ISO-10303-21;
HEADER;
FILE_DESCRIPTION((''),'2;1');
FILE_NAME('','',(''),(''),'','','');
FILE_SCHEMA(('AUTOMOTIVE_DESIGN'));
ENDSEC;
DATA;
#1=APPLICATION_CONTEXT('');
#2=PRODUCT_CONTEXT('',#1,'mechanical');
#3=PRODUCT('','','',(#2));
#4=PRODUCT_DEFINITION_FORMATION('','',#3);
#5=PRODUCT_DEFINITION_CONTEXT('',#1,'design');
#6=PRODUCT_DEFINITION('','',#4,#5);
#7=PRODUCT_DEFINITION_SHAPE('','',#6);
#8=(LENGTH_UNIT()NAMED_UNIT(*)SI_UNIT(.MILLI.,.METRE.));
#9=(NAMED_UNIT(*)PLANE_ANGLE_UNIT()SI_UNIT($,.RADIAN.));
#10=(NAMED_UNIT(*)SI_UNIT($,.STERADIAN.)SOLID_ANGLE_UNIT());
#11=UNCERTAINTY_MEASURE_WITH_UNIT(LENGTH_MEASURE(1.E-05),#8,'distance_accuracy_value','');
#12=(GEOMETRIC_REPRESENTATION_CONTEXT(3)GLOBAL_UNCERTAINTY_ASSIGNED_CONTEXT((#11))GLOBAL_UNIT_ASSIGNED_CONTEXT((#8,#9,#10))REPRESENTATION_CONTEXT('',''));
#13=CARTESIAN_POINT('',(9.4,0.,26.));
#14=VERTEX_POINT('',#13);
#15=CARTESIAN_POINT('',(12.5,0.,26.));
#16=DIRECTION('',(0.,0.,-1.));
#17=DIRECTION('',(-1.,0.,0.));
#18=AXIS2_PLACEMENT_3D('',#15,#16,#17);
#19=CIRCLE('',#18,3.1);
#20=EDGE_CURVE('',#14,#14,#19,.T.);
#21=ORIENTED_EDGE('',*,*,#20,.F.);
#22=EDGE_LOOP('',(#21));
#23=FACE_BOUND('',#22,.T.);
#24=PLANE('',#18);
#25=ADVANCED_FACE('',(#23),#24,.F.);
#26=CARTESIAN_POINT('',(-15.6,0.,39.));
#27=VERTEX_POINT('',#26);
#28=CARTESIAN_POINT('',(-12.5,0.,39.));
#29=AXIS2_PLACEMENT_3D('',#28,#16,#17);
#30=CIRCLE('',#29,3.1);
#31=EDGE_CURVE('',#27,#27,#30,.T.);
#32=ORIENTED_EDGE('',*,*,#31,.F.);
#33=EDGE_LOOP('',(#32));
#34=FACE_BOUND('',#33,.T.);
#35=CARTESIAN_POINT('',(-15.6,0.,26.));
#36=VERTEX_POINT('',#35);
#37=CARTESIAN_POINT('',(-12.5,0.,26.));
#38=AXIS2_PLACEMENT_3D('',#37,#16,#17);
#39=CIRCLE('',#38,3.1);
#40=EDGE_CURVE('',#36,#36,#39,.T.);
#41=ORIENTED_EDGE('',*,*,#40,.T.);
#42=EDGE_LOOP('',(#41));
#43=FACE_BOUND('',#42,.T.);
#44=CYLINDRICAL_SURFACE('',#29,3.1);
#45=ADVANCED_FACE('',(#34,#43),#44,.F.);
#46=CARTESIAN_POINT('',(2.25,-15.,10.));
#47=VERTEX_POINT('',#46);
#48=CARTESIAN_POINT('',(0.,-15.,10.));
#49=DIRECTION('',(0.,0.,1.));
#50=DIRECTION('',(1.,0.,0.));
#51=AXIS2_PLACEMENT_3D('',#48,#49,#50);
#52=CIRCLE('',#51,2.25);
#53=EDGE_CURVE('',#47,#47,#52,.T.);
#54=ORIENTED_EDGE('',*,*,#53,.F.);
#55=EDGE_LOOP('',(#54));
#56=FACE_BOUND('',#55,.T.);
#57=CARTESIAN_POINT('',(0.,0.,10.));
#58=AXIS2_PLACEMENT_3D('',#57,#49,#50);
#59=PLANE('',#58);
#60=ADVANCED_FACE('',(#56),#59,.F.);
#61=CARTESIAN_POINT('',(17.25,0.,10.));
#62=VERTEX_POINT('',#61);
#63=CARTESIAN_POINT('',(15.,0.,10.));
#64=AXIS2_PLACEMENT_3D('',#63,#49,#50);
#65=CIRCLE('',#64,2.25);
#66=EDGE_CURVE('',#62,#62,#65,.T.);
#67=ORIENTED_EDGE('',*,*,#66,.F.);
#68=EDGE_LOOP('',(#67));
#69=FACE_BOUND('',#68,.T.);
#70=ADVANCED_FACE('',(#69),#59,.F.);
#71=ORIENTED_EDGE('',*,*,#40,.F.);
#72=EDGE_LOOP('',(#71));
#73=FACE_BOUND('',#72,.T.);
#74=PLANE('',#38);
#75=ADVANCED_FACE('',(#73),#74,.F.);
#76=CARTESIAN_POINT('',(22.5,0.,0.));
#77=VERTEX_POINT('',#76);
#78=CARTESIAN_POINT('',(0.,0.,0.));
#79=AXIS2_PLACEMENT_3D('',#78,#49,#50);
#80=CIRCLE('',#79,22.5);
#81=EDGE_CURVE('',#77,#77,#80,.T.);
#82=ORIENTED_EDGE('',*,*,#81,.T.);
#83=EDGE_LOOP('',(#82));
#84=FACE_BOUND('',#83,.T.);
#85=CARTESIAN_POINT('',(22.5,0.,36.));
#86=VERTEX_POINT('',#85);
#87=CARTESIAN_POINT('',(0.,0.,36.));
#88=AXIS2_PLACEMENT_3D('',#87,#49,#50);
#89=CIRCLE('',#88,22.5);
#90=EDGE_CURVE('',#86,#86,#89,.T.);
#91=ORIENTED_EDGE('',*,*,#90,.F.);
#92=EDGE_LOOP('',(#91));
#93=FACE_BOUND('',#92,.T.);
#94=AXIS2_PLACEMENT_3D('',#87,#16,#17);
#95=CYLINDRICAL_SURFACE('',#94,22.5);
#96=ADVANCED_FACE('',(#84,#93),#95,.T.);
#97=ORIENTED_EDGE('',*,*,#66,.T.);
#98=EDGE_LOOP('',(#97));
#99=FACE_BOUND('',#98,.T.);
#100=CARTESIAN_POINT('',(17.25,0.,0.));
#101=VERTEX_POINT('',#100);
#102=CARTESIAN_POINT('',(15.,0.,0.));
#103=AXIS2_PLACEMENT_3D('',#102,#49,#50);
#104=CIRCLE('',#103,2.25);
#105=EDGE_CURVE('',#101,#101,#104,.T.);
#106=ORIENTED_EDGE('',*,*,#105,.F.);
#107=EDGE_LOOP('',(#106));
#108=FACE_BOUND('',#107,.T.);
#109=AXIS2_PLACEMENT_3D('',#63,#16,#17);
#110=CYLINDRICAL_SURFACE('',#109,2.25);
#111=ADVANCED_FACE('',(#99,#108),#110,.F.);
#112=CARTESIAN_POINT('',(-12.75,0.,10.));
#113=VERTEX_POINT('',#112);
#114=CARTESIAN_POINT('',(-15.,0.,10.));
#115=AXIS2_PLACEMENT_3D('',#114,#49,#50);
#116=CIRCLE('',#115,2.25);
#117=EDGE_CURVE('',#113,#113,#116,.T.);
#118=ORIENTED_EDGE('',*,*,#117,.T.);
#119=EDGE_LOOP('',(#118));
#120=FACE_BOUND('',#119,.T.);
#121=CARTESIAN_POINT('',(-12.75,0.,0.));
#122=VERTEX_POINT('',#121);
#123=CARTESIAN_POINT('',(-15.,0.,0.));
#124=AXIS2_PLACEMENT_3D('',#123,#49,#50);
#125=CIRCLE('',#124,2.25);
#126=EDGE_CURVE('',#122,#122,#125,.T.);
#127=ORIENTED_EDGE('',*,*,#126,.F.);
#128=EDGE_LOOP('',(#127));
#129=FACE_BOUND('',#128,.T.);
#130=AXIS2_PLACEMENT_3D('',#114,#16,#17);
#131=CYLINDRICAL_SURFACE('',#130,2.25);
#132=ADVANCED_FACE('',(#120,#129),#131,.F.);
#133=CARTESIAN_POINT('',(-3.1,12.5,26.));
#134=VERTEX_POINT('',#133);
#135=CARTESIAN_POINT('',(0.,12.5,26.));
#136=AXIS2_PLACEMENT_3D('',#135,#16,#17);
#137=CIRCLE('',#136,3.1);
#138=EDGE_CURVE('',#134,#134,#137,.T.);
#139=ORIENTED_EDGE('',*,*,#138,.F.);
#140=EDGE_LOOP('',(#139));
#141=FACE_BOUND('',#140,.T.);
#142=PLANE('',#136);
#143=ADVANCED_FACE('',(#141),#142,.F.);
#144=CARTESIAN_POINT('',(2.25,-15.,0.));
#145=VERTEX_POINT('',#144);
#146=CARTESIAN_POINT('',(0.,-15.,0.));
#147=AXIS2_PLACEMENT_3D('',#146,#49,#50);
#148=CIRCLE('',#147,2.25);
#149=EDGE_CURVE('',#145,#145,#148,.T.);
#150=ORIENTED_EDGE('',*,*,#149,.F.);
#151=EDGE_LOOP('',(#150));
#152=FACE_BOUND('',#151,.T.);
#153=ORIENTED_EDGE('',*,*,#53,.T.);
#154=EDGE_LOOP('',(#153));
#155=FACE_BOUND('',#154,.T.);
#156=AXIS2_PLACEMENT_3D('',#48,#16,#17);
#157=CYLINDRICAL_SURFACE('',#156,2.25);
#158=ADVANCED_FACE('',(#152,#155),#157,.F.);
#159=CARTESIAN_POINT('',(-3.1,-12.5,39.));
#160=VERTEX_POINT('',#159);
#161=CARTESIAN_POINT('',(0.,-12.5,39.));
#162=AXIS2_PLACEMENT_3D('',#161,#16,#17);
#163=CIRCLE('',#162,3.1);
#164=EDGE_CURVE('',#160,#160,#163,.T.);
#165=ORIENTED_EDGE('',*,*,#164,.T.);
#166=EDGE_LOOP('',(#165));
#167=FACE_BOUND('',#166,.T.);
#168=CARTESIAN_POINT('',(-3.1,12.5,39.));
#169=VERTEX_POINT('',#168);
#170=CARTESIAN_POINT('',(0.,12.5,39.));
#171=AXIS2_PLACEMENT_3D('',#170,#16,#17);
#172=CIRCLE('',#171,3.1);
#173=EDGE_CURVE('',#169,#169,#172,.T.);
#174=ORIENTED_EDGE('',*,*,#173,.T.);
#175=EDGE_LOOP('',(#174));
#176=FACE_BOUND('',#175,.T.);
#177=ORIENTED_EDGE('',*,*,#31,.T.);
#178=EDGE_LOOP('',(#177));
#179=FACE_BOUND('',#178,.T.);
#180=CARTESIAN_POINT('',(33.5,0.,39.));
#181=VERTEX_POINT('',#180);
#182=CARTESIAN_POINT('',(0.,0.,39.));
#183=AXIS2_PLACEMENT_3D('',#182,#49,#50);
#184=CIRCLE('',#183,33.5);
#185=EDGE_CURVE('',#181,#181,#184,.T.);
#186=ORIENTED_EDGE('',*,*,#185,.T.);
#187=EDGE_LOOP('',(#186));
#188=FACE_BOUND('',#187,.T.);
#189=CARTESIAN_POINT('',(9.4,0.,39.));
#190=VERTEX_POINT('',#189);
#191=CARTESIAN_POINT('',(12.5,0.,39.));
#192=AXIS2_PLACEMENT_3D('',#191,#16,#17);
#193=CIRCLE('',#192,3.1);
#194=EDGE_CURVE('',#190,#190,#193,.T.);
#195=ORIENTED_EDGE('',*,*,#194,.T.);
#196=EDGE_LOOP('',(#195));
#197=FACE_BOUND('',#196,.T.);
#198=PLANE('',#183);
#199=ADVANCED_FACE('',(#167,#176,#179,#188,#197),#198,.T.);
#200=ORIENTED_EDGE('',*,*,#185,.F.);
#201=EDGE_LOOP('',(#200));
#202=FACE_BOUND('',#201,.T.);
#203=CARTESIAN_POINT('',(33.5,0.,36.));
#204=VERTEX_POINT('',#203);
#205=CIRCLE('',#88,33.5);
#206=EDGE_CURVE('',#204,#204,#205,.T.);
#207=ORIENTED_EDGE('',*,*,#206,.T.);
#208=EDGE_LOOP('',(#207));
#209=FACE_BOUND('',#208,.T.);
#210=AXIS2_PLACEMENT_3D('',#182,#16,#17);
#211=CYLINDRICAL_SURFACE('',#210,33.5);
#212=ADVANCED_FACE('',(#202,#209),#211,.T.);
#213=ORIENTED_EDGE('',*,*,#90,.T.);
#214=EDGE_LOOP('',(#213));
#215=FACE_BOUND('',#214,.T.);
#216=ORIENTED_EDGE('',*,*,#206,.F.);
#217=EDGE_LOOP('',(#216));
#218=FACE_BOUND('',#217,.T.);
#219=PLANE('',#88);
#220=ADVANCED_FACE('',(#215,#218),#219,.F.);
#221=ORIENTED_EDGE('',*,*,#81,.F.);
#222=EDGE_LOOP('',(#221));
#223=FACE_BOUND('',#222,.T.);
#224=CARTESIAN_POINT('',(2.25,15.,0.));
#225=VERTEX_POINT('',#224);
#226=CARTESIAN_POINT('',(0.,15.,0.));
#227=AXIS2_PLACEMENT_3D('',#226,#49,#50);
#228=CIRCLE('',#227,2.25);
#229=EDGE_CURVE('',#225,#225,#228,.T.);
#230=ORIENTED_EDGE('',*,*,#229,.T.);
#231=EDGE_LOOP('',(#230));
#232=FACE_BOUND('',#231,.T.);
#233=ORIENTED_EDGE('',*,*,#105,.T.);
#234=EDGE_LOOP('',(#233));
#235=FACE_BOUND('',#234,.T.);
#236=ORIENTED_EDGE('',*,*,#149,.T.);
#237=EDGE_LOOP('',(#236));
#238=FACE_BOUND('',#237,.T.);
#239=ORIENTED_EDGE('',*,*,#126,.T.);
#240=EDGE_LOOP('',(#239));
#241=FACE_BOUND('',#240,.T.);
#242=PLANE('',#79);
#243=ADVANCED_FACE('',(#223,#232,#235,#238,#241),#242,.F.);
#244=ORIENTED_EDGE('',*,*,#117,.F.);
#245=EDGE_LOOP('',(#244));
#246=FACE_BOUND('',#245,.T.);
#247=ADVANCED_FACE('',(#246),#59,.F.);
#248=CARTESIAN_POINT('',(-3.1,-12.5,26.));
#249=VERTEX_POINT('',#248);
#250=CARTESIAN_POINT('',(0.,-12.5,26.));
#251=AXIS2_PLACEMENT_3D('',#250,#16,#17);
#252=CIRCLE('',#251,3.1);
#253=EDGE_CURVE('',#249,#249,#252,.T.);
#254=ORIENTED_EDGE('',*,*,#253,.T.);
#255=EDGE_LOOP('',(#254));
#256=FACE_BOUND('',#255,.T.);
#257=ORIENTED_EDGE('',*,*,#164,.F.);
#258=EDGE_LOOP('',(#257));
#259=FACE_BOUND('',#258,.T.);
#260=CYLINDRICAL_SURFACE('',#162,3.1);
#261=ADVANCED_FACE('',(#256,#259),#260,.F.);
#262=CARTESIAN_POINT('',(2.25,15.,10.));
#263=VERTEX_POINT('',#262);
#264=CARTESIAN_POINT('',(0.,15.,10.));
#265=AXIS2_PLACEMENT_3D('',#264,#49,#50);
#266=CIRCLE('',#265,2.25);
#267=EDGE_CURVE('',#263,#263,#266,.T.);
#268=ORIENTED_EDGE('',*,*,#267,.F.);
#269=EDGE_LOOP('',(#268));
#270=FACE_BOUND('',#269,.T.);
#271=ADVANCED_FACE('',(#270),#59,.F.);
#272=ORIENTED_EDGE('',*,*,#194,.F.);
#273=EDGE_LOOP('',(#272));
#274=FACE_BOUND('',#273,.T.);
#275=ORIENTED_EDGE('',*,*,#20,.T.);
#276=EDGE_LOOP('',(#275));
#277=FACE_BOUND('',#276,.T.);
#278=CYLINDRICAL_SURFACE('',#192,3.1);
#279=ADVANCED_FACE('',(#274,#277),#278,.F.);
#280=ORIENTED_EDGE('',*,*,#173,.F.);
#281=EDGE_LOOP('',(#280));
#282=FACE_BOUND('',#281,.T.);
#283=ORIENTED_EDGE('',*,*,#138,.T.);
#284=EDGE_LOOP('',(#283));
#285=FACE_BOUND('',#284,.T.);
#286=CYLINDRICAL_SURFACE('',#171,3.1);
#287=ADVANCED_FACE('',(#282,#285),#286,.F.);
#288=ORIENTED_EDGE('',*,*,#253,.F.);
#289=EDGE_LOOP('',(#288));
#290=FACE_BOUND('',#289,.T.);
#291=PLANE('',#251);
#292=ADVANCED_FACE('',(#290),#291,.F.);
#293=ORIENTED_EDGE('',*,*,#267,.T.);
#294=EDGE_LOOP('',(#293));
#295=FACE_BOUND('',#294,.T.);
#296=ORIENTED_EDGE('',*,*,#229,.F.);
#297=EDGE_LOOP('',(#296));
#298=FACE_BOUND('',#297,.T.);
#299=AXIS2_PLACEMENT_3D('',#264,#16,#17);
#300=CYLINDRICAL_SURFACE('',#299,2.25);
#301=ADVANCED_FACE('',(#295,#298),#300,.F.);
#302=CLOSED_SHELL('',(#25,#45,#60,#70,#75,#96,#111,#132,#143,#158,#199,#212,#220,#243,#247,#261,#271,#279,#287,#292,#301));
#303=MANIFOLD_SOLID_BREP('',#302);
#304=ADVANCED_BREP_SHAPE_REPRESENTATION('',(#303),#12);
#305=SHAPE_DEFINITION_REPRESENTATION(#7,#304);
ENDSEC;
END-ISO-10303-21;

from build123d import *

# Parameters (mm, degrees)
SKETCH1_R               = 22.5
BOSS_EXTRUDE1_DEPTH     = 36
SKETCH1_3_R             = 2.25
CUT_EXTRUDE1_DEPTH      = 10
SKETCH2_R               = 33.5
BOSS_EXTRUDE2_DEPTH     = 3
CUT_EXTRUDE2_DEPTH      = 10
CUT_EXTRUDE2_DEPTH_BACK = 3
SKETCH3_R               = 3.1


with BuildPart() as part:
    # Sketch1 → Boss-Extrude1 (new body)
    with BuildSketch(Plane.XY):
        Circle(SKETCH1_R)
    extrude(amount=BOSS_EXTRUDE1_DEPTH)

    # Sketch1<3> → Cut-Extrude1 (cut)
    with BuildSketch(Plane.XY):
        with Locations((0, 15)):
            Circle(SKETCH1_3_R)
        with Locations((15, 0)):
            Circle(SKETCH1_3_R)
        with Locations((0, -15)):
            Circle(SKETCH1_3_R)
        with Locations((-15, 0)):
            Circle(SKETCH1_3_R)
    extrude(amount=CUT_EXTRUDE1_DEPTH, mode=Mode.SUBTRACT)

    # Sketch2 → Boss-Extrude2 (add)
    with BuildSketch(Plane.XY.offset(36)):
        Circle(SKETCH2_R)
    extrude(amount=BOSS_EXTRUDE2_DEPTH)

    # Sketch3 → Cut-Extrude2 (cut, two sides: drawn at the far end of the back side and taken through both)
    with BuildSketch(Plane(origin=(0, 0, 36), x_dir=(-1, 0, 0), z_dir=(0, 0, -1)).offset(-CUT_EXTRUDE2_DEPTH_BACK)):
        with Locations((0, 12.5)):
            Circle(SKETCH3_R)
        with Locations((12.5, 0)):
            Circle(SKETCH3_R)
        with Locations((0, -12.5)):
            Circle(SKETCH3_R)
        with Locations((-12.5, 0)):
            Circle(SKETCH3_R)
    extrude(amount=CUT_EXTRUDE2_DEPTH + CUT_EXTRUDE2_DEPTH_BACK, mode=Mode.SUBTRACT)


solid = part.part
